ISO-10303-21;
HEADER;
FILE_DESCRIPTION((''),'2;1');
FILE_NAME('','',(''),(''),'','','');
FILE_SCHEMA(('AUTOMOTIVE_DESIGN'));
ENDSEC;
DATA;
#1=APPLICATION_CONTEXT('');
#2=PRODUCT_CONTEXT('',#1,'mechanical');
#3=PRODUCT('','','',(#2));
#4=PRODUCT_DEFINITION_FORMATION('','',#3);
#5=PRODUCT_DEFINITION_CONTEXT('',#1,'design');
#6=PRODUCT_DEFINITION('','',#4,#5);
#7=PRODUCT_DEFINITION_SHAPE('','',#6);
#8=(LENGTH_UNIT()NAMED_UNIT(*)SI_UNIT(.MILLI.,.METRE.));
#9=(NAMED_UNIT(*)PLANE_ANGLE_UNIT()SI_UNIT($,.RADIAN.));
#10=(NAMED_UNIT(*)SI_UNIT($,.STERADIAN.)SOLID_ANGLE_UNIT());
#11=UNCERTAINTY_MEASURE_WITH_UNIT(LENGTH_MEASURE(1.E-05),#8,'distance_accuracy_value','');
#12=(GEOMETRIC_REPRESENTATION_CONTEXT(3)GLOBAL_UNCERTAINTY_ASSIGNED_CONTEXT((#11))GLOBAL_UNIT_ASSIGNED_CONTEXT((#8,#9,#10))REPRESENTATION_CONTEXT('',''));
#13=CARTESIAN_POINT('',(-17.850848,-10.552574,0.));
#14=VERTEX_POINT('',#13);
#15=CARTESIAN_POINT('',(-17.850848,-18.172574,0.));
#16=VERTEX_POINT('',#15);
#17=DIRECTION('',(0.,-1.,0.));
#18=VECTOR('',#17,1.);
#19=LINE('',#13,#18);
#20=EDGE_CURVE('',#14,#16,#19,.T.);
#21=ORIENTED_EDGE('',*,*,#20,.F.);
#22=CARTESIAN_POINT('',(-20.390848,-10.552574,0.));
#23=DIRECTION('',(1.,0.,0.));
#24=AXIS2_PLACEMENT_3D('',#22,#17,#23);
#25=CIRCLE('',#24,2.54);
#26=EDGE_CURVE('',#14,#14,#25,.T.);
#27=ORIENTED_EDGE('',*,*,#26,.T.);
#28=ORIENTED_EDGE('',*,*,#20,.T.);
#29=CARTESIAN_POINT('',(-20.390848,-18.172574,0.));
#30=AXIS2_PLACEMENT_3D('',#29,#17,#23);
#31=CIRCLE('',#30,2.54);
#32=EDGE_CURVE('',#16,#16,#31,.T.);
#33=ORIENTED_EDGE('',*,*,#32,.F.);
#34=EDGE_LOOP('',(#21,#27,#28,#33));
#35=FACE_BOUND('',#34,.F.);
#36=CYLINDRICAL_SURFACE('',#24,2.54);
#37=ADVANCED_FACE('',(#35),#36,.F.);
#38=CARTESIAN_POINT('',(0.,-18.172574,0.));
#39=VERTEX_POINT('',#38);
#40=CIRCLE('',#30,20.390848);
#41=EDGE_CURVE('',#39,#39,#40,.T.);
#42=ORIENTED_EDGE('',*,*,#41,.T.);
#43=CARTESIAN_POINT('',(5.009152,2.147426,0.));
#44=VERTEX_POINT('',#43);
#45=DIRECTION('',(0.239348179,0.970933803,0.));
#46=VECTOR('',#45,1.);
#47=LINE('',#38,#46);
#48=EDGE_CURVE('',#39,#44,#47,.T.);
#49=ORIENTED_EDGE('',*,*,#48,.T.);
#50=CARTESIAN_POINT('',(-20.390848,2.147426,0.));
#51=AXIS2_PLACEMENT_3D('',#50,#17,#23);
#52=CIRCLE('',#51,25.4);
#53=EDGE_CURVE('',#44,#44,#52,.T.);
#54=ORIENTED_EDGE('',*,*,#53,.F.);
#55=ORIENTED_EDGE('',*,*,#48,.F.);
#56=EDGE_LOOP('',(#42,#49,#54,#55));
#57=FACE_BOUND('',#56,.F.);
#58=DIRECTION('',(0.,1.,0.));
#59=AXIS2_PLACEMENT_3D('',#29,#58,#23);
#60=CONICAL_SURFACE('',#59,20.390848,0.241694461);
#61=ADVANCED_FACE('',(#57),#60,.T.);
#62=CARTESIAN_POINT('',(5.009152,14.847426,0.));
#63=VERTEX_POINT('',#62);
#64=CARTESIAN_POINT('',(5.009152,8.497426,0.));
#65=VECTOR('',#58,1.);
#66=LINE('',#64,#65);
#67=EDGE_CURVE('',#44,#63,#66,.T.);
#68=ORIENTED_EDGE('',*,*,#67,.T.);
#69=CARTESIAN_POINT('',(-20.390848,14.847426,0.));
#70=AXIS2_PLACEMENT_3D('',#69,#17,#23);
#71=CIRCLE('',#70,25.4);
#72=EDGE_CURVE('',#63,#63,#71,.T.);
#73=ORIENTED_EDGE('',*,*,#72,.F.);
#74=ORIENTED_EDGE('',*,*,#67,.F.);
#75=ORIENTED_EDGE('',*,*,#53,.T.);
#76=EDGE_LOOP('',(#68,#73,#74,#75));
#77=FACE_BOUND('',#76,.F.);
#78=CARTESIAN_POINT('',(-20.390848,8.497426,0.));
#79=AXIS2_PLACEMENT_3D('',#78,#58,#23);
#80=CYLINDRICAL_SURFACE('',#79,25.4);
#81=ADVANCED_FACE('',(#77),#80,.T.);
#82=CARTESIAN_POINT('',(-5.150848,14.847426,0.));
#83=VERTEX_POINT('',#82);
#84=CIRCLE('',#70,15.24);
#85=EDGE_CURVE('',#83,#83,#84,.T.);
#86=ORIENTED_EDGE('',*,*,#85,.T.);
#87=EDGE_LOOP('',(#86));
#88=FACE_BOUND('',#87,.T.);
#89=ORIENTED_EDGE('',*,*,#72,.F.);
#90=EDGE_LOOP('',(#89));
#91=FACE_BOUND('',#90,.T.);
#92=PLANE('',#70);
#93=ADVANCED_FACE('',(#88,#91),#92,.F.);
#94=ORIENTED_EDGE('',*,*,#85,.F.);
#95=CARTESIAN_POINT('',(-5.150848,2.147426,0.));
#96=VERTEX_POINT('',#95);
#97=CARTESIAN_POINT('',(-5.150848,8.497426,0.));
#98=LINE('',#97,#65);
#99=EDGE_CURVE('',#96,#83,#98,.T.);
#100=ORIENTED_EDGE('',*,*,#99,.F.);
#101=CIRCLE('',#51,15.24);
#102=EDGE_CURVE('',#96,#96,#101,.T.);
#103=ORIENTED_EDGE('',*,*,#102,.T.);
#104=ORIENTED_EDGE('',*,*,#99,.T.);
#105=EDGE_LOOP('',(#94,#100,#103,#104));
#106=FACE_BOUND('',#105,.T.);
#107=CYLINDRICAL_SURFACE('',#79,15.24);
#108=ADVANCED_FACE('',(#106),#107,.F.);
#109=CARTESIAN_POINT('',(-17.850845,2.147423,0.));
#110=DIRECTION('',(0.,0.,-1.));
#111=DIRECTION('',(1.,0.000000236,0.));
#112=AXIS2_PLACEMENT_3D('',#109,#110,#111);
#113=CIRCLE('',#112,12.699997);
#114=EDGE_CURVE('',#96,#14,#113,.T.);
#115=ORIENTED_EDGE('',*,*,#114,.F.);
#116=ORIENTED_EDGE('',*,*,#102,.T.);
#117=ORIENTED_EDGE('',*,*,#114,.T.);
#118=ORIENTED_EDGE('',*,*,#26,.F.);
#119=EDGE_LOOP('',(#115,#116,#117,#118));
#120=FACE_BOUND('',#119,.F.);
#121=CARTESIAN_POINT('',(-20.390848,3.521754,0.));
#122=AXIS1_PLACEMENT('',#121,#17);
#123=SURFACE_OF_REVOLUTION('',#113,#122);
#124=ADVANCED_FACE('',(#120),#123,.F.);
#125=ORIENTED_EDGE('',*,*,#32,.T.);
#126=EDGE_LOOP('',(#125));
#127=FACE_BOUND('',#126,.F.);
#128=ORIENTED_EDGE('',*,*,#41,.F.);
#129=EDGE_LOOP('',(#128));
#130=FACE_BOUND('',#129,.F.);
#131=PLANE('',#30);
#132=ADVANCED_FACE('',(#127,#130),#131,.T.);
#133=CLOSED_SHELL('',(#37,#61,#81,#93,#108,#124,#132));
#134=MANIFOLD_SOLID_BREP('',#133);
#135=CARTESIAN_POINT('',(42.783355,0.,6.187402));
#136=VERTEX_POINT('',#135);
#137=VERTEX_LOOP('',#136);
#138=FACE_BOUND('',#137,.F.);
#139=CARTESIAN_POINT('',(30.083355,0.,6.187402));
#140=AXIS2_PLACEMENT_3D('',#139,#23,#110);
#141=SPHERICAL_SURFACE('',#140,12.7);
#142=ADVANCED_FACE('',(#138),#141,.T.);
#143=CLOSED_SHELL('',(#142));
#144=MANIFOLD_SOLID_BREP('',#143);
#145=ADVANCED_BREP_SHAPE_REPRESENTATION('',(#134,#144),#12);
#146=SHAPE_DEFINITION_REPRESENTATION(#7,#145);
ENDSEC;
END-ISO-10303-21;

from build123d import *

# Parameters (mm, degrees)
F0_W = 10.16
F0_H = 12.7


with BuildPart() as f1:
    # F0 (on Top) → F1 (revolve)
    with BuildSketch(Plane.XY):
        with Locations((-0.070848, 8.497426)):
            Rectangle(F0_W, F0_H)
        with BuildLine():
            Line((-17.850848, -18.172574), (0, -18.172574))
            Line((0, -18.172574), (5.009152, 2.147426))
            Line((5.009152, 2.147426), (-5.150848, 2.147426))
            ThreePointArc((-5.150848, 2.147426), (-8.870591, -6.832831), (-17.850848, -10.552574))
            Line((-17.850848, -10.552574), (-17.850848, -18.172574))
        make_face()
    revolve(axis=Axis((-20.390848, 3.521754, 0), (0, -1, 0)))


with BuildPart() as f3:
    # F2 (on Front) → F3 (revolve)
    with BuildSketch(Plane.XZ):
        with BuildLine():
            ThreePointArc((17.383355, 6.187402), (30.083355, -6.512598), (42.783355, 6.187402))
            Line((42.783355, 6.187402), (17.383355, 6.187402))
        make_face()
    revolve(axis=Axis((29.916128, 0, 6.187402), (-1, 0, 0)))


solid = Compound([f1.part, f3.part])
